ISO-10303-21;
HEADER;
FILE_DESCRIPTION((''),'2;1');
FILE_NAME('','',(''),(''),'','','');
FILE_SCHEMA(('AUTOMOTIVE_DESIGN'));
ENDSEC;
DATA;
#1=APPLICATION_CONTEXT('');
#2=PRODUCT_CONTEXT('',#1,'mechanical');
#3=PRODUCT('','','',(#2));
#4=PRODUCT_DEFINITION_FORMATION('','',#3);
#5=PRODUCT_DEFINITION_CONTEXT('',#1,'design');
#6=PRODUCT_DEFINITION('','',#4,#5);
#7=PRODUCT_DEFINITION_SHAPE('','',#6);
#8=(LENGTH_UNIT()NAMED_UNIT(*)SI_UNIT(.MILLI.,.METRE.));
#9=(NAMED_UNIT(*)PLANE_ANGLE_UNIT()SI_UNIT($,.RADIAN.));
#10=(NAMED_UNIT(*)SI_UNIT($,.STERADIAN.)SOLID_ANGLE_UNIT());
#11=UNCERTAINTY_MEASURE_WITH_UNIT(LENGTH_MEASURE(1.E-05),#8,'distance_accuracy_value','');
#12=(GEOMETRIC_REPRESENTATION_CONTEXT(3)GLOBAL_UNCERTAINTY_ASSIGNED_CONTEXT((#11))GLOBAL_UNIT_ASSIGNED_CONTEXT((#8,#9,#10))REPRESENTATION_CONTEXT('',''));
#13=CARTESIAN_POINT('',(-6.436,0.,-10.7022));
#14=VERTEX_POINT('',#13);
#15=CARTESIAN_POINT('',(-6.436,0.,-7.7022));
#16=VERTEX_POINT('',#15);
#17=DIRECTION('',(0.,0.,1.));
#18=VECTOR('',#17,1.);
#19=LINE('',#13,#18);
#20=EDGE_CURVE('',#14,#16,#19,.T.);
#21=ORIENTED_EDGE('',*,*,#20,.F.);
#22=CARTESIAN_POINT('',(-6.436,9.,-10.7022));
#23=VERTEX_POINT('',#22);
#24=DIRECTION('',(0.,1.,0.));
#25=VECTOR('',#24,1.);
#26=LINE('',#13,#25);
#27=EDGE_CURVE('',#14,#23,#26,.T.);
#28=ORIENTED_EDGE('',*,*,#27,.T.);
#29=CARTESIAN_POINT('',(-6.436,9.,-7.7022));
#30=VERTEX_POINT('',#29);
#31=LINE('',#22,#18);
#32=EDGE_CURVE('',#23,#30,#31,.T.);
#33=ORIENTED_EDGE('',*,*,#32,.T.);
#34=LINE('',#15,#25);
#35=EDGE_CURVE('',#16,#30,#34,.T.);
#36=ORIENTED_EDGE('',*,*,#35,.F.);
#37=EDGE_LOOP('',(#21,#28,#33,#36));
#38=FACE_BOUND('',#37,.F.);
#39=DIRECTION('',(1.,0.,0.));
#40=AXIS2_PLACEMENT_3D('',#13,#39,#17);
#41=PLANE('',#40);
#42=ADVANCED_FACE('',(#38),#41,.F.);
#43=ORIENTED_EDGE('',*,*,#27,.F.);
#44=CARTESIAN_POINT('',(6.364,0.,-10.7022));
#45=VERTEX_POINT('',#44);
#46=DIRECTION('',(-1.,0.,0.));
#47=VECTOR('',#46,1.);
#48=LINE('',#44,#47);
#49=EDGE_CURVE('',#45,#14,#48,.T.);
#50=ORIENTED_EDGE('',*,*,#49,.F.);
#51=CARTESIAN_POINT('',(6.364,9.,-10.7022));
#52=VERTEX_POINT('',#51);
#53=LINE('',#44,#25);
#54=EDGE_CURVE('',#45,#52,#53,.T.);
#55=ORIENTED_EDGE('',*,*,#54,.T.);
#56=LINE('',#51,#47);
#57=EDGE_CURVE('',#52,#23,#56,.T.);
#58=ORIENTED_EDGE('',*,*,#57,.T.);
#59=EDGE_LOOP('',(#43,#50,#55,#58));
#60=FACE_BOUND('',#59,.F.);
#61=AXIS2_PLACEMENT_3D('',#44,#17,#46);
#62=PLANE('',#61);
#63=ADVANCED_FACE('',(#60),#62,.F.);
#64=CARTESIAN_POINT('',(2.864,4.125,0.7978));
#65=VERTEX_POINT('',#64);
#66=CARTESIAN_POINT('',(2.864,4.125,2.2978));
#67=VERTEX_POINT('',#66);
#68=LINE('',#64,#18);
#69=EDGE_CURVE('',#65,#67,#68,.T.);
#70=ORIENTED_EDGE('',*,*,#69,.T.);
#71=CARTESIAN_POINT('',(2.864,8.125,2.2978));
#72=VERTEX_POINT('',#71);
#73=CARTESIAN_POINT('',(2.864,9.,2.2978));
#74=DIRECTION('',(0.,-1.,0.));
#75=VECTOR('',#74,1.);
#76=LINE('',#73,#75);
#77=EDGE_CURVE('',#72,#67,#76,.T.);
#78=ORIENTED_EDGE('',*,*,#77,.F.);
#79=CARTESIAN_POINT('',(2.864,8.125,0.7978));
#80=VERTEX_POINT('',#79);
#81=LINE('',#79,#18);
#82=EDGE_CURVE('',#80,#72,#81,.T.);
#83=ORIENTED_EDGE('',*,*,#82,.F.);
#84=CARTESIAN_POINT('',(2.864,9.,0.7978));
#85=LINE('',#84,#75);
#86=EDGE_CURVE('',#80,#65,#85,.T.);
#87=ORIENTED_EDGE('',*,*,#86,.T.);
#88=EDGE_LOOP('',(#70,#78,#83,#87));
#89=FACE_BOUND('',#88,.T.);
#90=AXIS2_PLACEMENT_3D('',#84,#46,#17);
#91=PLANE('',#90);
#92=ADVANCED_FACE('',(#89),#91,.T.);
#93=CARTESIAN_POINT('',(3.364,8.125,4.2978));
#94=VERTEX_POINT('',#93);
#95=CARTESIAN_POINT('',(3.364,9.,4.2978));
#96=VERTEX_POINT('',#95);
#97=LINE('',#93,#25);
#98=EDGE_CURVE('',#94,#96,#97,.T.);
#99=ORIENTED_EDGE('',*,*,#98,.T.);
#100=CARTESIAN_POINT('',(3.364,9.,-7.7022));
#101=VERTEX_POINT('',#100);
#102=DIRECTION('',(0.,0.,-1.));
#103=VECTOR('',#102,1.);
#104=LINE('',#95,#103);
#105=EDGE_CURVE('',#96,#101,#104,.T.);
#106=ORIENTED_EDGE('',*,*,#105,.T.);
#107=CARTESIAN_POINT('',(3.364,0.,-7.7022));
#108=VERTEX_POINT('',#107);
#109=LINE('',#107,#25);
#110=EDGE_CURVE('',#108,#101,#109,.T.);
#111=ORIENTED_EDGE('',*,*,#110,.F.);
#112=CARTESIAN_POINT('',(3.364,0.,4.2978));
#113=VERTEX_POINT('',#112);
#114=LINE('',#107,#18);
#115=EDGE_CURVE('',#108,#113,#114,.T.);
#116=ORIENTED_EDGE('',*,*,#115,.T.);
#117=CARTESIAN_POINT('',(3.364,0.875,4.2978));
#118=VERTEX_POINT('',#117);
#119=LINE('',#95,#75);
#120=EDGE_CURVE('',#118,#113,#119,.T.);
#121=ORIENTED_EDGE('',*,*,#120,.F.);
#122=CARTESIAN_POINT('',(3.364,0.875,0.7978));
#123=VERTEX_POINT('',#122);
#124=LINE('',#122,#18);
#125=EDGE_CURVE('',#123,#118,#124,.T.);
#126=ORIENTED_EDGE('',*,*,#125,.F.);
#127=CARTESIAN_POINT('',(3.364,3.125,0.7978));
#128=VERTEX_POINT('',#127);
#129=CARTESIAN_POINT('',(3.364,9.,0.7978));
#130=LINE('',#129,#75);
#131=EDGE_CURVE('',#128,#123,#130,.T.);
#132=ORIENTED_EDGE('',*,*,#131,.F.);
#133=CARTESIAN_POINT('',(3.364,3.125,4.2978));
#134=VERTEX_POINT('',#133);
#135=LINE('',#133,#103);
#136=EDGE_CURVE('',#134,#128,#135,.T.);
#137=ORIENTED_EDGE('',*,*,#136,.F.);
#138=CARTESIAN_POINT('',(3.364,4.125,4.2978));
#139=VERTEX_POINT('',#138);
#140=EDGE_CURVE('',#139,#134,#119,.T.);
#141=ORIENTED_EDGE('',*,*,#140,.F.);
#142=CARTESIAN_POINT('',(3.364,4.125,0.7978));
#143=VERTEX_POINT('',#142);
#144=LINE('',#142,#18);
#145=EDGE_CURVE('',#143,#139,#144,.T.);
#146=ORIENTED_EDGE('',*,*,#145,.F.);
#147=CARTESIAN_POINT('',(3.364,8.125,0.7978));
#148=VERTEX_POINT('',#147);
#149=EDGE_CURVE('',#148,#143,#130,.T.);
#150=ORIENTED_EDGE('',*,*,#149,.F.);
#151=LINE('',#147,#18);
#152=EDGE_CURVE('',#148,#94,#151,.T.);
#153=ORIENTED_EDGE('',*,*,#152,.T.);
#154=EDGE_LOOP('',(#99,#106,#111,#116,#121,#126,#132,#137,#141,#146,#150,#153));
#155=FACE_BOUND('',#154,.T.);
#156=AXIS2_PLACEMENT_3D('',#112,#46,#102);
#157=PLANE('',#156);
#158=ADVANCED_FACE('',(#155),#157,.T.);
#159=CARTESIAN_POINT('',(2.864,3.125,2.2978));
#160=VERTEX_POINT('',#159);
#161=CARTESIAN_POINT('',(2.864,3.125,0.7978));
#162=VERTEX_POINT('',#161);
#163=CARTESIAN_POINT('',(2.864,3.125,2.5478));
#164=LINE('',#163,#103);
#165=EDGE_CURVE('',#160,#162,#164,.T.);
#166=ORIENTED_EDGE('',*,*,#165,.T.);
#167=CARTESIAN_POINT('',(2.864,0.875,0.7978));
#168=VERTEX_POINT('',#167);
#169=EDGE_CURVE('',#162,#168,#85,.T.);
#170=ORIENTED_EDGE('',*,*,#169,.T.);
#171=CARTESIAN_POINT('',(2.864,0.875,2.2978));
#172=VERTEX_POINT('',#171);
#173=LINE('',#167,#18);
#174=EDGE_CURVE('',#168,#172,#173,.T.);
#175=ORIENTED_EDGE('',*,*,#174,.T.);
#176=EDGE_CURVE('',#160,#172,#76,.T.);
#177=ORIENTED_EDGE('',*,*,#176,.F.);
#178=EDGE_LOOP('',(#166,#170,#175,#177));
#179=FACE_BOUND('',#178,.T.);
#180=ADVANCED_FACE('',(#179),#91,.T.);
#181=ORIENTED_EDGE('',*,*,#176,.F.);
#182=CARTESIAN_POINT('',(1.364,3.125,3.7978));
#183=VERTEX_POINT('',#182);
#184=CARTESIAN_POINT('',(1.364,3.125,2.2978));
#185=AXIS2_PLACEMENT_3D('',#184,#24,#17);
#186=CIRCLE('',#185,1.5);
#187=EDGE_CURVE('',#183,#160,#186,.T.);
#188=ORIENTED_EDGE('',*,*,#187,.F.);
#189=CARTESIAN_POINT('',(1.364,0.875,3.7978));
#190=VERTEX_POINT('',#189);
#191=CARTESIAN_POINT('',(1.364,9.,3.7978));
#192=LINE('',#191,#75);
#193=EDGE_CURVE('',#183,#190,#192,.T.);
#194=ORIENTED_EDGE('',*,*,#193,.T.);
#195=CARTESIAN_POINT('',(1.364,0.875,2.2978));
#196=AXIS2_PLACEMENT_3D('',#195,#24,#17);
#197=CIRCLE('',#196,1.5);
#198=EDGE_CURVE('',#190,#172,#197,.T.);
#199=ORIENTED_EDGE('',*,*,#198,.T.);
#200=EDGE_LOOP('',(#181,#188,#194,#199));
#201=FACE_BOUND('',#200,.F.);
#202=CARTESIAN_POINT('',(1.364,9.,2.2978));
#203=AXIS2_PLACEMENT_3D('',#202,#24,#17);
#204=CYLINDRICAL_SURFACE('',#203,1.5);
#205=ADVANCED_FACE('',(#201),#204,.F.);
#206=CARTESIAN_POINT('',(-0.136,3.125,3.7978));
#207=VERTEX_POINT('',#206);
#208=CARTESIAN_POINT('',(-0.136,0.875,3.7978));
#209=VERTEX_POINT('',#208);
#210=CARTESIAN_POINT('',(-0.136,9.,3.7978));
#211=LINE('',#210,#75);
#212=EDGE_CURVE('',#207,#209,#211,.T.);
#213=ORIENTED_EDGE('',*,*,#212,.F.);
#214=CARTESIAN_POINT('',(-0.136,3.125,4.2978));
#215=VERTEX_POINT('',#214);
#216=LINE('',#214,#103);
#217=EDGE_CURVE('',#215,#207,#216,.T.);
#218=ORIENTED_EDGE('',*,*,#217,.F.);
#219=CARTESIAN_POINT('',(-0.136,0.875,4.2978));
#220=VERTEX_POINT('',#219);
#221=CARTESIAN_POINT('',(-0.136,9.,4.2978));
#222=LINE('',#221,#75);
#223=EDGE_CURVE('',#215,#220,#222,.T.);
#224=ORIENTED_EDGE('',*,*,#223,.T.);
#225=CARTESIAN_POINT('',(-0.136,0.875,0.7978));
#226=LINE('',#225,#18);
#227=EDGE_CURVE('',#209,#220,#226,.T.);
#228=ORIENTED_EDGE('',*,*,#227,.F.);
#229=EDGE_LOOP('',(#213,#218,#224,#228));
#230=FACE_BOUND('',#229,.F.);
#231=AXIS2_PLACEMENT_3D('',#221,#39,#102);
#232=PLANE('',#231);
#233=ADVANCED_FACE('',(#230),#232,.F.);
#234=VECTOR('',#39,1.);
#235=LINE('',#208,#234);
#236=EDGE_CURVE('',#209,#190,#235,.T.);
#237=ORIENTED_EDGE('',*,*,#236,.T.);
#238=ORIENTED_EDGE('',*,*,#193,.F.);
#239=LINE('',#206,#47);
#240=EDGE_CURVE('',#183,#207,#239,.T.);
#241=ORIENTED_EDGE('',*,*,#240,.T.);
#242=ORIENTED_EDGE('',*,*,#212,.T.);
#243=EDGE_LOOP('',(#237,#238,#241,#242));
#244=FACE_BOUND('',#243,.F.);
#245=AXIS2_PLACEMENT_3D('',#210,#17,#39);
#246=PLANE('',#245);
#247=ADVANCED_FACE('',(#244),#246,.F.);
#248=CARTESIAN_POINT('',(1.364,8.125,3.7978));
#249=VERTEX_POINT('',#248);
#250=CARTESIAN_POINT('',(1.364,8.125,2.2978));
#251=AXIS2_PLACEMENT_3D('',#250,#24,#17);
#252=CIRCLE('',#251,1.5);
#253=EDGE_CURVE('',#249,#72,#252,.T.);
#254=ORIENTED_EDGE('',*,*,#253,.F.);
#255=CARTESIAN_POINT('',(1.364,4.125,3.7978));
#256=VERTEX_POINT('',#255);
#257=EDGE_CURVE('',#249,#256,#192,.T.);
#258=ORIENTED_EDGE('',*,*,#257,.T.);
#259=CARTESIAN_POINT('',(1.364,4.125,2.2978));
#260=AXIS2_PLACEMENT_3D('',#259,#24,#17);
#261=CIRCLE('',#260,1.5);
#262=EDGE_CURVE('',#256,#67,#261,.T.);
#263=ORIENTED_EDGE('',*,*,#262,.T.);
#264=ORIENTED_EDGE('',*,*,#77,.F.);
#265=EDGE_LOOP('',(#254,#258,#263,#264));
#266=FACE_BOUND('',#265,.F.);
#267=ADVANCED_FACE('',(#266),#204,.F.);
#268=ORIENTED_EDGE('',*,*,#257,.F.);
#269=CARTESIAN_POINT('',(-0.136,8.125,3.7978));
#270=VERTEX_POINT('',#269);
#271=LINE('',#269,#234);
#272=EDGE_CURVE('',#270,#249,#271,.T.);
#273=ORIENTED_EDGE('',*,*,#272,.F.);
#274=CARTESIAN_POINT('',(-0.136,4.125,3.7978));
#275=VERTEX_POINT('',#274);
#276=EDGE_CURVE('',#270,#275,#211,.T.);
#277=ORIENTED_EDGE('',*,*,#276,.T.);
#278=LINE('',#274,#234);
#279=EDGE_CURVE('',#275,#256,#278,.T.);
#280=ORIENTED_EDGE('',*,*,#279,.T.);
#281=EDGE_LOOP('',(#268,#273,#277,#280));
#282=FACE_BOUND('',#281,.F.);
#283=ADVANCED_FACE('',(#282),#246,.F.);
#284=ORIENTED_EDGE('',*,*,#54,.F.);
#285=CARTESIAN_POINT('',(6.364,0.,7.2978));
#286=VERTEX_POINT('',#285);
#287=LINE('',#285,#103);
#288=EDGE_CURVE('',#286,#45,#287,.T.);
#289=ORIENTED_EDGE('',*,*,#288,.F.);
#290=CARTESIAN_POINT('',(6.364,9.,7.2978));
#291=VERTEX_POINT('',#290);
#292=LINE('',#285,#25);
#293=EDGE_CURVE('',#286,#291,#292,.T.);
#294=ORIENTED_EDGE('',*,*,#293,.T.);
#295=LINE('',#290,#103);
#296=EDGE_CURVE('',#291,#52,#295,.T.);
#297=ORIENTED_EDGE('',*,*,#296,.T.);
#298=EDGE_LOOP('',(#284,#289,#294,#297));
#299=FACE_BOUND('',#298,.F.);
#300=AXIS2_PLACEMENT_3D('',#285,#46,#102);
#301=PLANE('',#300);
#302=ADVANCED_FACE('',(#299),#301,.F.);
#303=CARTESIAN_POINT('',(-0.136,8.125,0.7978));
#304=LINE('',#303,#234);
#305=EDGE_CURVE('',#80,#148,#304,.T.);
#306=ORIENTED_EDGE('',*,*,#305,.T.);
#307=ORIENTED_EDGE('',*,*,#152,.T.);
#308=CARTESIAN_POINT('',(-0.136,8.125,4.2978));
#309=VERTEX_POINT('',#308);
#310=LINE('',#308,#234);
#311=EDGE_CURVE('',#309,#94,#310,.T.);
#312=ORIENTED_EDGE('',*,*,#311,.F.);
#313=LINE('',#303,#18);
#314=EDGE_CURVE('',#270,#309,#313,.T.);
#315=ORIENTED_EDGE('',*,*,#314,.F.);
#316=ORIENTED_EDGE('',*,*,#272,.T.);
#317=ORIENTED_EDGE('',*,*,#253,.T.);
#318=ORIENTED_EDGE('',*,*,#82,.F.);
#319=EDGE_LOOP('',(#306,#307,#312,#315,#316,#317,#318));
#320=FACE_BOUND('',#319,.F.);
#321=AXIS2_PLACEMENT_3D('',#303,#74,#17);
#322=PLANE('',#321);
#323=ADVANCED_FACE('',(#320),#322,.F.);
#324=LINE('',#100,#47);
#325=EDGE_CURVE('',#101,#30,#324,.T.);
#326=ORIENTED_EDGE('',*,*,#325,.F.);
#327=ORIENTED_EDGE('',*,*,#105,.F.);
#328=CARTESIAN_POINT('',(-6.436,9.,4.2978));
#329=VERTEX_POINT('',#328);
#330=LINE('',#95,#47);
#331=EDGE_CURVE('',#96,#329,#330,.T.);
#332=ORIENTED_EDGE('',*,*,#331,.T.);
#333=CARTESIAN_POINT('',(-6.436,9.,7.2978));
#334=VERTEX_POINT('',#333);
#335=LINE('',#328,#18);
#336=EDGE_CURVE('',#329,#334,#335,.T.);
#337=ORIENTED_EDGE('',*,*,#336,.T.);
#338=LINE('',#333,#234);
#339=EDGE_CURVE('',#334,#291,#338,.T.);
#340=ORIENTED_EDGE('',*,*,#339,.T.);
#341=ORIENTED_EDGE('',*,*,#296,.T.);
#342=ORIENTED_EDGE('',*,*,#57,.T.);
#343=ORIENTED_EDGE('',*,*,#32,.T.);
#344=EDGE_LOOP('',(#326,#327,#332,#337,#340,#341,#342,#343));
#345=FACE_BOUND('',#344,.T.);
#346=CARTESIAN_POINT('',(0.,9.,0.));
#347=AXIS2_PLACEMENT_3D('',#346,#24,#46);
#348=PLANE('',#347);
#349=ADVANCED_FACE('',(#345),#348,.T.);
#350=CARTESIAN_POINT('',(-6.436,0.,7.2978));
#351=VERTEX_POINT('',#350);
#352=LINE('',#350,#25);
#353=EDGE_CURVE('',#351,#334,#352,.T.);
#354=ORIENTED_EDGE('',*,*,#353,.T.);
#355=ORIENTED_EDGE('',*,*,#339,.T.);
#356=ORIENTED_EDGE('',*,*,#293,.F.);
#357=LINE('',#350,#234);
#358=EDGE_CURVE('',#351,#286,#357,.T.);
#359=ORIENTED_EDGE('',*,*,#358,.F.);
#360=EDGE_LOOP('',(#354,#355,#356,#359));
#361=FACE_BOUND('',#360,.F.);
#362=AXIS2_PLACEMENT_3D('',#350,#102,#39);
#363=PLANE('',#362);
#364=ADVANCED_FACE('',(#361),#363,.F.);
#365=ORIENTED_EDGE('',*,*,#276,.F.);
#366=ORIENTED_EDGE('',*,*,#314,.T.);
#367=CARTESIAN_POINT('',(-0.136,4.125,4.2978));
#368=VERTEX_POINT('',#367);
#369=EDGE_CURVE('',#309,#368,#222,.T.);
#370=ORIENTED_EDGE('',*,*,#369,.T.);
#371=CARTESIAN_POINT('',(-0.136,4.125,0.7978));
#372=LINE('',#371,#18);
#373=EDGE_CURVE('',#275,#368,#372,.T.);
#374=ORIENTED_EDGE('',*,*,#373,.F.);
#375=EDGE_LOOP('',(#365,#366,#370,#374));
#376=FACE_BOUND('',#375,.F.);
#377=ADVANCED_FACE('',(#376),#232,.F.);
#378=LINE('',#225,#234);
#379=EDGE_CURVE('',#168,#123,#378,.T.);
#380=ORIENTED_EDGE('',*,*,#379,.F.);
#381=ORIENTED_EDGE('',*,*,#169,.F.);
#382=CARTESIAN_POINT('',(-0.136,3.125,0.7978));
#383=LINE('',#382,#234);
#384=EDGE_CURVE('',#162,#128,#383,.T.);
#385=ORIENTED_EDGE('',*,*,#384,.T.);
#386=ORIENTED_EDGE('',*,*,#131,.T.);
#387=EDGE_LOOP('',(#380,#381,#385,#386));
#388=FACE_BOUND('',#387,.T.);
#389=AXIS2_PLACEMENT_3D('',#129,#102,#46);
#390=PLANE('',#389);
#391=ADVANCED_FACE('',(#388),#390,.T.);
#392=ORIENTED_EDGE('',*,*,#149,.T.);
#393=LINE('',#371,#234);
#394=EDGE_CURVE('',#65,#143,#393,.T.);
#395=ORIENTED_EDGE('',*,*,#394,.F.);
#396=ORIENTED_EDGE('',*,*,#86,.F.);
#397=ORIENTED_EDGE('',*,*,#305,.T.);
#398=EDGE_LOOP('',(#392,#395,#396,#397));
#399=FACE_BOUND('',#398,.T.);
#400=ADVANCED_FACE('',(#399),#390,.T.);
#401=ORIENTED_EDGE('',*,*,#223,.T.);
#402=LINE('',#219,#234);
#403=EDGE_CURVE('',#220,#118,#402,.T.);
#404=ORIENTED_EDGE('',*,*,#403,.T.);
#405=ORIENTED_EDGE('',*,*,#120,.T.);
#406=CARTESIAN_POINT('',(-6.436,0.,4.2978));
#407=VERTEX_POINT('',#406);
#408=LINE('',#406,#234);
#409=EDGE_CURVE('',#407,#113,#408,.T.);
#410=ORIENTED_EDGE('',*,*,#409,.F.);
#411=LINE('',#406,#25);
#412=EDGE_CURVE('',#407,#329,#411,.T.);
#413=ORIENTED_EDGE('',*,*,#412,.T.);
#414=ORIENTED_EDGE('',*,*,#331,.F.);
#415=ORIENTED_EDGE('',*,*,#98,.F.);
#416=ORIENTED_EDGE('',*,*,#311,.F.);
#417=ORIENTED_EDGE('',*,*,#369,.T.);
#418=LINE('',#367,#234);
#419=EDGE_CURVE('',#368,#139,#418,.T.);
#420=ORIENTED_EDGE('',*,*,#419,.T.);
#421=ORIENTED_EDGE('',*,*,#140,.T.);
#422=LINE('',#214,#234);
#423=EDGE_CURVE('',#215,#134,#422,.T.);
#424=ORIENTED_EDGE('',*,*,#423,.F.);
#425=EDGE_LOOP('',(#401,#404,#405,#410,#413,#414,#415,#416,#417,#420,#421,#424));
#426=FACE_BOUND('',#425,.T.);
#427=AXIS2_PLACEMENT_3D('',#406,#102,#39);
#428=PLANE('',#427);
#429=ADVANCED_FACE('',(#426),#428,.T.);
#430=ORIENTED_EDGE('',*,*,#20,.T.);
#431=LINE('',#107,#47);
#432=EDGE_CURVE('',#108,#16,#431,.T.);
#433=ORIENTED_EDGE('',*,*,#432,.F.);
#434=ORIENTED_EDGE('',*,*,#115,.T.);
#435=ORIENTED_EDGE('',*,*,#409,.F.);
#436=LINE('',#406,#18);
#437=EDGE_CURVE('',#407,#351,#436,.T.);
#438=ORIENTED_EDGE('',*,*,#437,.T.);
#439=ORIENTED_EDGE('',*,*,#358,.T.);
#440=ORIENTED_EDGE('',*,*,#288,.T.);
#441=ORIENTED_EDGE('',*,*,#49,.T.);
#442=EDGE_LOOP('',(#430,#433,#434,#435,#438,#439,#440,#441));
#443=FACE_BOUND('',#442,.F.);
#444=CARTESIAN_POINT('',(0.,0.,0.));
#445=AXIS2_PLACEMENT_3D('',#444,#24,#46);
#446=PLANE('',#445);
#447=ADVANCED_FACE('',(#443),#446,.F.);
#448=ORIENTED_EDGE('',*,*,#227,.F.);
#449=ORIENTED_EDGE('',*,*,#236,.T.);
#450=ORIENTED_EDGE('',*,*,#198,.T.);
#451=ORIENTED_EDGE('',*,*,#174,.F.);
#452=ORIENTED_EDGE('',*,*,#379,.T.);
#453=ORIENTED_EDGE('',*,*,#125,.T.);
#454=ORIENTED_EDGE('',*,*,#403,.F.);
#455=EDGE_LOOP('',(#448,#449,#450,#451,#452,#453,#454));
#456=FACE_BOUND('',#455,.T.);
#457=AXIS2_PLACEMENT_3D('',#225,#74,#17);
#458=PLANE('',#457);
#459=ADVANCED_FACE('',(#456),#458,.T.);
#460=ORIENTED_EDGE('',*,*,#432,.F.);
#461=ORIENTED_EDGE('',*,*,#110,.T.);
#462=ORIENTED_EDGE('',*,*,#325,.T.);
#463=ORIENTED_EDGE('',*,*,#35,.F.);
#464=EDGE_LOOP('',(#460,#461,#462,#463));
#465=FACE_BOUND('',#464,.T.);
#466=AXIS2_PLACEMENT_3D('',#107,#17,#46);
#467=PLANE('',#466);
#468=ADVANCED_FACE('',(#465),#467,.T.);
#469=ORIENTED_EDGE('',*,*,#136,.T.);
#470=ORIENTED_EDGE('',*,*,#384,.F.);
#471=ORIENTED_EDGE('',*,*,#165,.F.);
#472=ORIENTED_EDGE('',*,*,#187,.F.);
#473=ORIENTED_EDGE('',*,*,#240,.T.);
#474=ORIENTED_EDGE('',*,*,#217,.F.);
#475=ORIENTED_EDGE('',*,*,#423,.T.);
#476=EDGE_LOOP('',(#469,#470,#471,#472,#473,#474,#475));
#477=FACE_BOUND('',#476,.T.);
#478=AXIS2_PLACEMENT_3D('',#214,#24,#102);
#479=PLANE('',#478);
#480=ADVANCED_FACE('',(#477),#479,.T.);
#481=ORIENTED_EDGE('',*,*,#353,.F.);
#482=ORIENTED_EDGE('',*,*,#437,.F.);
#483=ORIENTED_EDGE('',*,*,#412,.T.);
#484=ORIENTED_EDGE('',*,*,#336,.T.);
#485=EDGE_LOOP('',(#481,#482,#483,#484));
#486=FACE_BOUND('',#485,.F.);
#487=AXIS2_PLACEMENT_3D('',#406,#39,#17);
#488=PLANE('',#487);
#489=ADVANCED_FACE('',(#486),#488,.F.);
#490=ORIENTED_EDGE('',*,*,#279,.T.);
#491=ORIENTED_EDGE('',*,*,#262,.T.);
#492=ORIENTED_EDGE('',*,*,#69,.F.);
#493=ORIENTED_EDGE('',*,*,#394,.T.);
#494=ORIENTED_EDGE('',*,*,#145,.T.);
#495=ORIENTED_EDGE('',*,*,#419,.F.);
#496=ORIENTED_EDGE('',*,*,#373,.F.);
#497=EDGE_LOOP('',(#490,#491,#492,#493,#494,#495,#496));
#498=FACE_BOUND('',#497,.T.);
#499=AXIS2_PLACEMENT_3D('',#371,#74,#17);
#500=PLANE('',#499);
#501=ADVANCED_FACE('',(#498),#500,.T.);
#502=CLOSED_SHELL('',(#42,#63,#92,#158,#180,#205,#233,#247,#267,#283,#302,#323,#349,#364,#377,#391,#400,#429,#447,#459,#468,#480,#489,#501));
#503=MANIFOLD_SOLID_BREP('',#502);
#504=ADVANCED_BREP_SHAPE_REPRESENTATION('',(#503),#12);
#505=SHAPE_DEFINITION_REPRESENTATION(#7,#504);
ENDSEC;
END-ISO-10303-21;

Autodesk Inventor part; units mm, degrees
ref_plane "YZ Plane" through (0, 0, 0) normal (1, 0, 0) x (0, 1, 0)
ref_plane "XZ Plane" through (0, 0, 0) normal (0, 1, 0) x (-1, 0, 0)
ref_plane "XY Plane" through (0, 0, 0) normal (0, 0, 1) x (1, 0, 0)
sketch "Sketch1" plane through (0, 0, 0) normal (0, 1, 0) x (-1, 0, 0)
  line L0 (-3.364, -7.7022) -> (6.436, -7.7022)
  line L1 (6.436, -7.7022) -> (6.436, 4.2978)
  line L2 (6.436, 4.2978) -> (-3.364, 4.2978)
  line L3 (-3.364, 4.2978) -> (-3.364, -7.7022)
  line L4 (-3.364, -7.7022) -> (6.436, 4.2978) construction
  line L5 (6.436, -7.7022) -> (-3.364, 4.2978) construction
  line L6 (6.436, 4.2978) -> (6.436, 7.2978)
  line L7 (6.436, 7.2978) -> (-6.364, 7.2978)
  line L8 (-6.364, 7.2978) -> (-6.364, -10.7022)
  line L9 (-6.364, -10.7022) -> (6.436, -10.7022)
  line L10 (6.436, -10.7022) -> (6.436, -7.7022)
  point P0 (1.536, -1.7022)
  dimension "d27" = 12
  dimension "d28" = 9.8
  dimension "d29" = 3
  dimension "d30" = 3
extrude "Extrusion1" add sketch "Sketch1" along normal blind 9 contours L0 L10 L9 L8 L7 L6 L2 L3
sketch "Sketch2" plane through (0, 9, 0) normal (0, 1, 0) x (1, 0, 0)
  line L0 (3.364, -0.7978) -> (2.864, -0.7978)
  line L1 (2.864, -0.7978) -> (2.864, -2.2978)
  line L2 (-0.136, -4.2978) -> (-0.136, -3.7978)
  line L3 (-0.136, -4.2978) -> (0.364, -4.2978) construction
  line L4 (-0.136, -3.7978) -> (1.364, -3.7978)
  arc A0 (1.364, -3.7978) -> (2.864, -2.2978) centre (1.364, -2.2978) ccw
  line L5 (-0.136, -4.2978) -> (3.364, -4.2978)
  line L6 (3.364, -4.2978) -> (3.364, -0.7978)
  line L7 (3.364, 7.7022) -> (3.364, -4.2978) projected
  line L8 (3.364, -4.2978) -> (-6.436, -4.2978) projected
  point P0 (0, 0)
  point P1 (5, 6)
  point P2 (5, -6.1)
  dimension "d8" = 0.5
  dimension "d9" = 0.5
  dimension "d10" = 90
  dimension "d13" = 1.5
  dimension "d31" = 3.5
  dimension "d32" = 3.5
extrude "Extrusion2" add sketch "Sketch2" against normal up to surface (9 mm away)
sketch "Sketch3" plane through (-0.136, 9, 3.7978) normal (-1, 0, 0) x (0, 0, 1)
  line L0 (0.5, 0) -> (3.5, 0) projected
  line L1 (0.5, 0) -> (-3, 0)
  line L2 (-3, 0) -> (-3, -0.875)
  line L3 (-3, -0.875) -> (0.5, -0.875)
  line L4 (0.5, -0.875) -> (0.5, 0)
  line L5 (-3, 0) -> (-3, -9) projected
  line L6 (0.5, 0) -> (0.5, -9) projected
  line L7 (-3, -9) -> (-3, 0) projected
  line L8 (0.5, -9) -> (-3, -9)
  line L9 (-3, -9) -> (-3, -8.125)
  line L10 (-3, -8.125) -> (0.5, -8.125)
  line L11 (0.5, -8.125) -> (0.5, -9)
  line L12 (0.5, -5.875) -> (-3, -5.875)
  line L13 (-3, -5.875) -> (-3, -4.875)
  line L14 (-3, -4.875) -> (0.5, -4.875)
  line L15 (0.5, -4.875) -> (0.5, -5.875)
  point P0 (0.5, -8.125)
  point P1 (0.5, -4.875)
  dimension "d33" = 0.875
  dimension "d34" = 0.875
  dimension "d35" = 4
  dimension "d36" = 1
extrude "Extrusion3" cut sketch "Sketch3" against normal up to surface (3.5 mm away) contours L4 L3 L2 L1 | L6 L12 L5 L14 | L6 L8 L5 L10
properties part number "MotorMountTest"
